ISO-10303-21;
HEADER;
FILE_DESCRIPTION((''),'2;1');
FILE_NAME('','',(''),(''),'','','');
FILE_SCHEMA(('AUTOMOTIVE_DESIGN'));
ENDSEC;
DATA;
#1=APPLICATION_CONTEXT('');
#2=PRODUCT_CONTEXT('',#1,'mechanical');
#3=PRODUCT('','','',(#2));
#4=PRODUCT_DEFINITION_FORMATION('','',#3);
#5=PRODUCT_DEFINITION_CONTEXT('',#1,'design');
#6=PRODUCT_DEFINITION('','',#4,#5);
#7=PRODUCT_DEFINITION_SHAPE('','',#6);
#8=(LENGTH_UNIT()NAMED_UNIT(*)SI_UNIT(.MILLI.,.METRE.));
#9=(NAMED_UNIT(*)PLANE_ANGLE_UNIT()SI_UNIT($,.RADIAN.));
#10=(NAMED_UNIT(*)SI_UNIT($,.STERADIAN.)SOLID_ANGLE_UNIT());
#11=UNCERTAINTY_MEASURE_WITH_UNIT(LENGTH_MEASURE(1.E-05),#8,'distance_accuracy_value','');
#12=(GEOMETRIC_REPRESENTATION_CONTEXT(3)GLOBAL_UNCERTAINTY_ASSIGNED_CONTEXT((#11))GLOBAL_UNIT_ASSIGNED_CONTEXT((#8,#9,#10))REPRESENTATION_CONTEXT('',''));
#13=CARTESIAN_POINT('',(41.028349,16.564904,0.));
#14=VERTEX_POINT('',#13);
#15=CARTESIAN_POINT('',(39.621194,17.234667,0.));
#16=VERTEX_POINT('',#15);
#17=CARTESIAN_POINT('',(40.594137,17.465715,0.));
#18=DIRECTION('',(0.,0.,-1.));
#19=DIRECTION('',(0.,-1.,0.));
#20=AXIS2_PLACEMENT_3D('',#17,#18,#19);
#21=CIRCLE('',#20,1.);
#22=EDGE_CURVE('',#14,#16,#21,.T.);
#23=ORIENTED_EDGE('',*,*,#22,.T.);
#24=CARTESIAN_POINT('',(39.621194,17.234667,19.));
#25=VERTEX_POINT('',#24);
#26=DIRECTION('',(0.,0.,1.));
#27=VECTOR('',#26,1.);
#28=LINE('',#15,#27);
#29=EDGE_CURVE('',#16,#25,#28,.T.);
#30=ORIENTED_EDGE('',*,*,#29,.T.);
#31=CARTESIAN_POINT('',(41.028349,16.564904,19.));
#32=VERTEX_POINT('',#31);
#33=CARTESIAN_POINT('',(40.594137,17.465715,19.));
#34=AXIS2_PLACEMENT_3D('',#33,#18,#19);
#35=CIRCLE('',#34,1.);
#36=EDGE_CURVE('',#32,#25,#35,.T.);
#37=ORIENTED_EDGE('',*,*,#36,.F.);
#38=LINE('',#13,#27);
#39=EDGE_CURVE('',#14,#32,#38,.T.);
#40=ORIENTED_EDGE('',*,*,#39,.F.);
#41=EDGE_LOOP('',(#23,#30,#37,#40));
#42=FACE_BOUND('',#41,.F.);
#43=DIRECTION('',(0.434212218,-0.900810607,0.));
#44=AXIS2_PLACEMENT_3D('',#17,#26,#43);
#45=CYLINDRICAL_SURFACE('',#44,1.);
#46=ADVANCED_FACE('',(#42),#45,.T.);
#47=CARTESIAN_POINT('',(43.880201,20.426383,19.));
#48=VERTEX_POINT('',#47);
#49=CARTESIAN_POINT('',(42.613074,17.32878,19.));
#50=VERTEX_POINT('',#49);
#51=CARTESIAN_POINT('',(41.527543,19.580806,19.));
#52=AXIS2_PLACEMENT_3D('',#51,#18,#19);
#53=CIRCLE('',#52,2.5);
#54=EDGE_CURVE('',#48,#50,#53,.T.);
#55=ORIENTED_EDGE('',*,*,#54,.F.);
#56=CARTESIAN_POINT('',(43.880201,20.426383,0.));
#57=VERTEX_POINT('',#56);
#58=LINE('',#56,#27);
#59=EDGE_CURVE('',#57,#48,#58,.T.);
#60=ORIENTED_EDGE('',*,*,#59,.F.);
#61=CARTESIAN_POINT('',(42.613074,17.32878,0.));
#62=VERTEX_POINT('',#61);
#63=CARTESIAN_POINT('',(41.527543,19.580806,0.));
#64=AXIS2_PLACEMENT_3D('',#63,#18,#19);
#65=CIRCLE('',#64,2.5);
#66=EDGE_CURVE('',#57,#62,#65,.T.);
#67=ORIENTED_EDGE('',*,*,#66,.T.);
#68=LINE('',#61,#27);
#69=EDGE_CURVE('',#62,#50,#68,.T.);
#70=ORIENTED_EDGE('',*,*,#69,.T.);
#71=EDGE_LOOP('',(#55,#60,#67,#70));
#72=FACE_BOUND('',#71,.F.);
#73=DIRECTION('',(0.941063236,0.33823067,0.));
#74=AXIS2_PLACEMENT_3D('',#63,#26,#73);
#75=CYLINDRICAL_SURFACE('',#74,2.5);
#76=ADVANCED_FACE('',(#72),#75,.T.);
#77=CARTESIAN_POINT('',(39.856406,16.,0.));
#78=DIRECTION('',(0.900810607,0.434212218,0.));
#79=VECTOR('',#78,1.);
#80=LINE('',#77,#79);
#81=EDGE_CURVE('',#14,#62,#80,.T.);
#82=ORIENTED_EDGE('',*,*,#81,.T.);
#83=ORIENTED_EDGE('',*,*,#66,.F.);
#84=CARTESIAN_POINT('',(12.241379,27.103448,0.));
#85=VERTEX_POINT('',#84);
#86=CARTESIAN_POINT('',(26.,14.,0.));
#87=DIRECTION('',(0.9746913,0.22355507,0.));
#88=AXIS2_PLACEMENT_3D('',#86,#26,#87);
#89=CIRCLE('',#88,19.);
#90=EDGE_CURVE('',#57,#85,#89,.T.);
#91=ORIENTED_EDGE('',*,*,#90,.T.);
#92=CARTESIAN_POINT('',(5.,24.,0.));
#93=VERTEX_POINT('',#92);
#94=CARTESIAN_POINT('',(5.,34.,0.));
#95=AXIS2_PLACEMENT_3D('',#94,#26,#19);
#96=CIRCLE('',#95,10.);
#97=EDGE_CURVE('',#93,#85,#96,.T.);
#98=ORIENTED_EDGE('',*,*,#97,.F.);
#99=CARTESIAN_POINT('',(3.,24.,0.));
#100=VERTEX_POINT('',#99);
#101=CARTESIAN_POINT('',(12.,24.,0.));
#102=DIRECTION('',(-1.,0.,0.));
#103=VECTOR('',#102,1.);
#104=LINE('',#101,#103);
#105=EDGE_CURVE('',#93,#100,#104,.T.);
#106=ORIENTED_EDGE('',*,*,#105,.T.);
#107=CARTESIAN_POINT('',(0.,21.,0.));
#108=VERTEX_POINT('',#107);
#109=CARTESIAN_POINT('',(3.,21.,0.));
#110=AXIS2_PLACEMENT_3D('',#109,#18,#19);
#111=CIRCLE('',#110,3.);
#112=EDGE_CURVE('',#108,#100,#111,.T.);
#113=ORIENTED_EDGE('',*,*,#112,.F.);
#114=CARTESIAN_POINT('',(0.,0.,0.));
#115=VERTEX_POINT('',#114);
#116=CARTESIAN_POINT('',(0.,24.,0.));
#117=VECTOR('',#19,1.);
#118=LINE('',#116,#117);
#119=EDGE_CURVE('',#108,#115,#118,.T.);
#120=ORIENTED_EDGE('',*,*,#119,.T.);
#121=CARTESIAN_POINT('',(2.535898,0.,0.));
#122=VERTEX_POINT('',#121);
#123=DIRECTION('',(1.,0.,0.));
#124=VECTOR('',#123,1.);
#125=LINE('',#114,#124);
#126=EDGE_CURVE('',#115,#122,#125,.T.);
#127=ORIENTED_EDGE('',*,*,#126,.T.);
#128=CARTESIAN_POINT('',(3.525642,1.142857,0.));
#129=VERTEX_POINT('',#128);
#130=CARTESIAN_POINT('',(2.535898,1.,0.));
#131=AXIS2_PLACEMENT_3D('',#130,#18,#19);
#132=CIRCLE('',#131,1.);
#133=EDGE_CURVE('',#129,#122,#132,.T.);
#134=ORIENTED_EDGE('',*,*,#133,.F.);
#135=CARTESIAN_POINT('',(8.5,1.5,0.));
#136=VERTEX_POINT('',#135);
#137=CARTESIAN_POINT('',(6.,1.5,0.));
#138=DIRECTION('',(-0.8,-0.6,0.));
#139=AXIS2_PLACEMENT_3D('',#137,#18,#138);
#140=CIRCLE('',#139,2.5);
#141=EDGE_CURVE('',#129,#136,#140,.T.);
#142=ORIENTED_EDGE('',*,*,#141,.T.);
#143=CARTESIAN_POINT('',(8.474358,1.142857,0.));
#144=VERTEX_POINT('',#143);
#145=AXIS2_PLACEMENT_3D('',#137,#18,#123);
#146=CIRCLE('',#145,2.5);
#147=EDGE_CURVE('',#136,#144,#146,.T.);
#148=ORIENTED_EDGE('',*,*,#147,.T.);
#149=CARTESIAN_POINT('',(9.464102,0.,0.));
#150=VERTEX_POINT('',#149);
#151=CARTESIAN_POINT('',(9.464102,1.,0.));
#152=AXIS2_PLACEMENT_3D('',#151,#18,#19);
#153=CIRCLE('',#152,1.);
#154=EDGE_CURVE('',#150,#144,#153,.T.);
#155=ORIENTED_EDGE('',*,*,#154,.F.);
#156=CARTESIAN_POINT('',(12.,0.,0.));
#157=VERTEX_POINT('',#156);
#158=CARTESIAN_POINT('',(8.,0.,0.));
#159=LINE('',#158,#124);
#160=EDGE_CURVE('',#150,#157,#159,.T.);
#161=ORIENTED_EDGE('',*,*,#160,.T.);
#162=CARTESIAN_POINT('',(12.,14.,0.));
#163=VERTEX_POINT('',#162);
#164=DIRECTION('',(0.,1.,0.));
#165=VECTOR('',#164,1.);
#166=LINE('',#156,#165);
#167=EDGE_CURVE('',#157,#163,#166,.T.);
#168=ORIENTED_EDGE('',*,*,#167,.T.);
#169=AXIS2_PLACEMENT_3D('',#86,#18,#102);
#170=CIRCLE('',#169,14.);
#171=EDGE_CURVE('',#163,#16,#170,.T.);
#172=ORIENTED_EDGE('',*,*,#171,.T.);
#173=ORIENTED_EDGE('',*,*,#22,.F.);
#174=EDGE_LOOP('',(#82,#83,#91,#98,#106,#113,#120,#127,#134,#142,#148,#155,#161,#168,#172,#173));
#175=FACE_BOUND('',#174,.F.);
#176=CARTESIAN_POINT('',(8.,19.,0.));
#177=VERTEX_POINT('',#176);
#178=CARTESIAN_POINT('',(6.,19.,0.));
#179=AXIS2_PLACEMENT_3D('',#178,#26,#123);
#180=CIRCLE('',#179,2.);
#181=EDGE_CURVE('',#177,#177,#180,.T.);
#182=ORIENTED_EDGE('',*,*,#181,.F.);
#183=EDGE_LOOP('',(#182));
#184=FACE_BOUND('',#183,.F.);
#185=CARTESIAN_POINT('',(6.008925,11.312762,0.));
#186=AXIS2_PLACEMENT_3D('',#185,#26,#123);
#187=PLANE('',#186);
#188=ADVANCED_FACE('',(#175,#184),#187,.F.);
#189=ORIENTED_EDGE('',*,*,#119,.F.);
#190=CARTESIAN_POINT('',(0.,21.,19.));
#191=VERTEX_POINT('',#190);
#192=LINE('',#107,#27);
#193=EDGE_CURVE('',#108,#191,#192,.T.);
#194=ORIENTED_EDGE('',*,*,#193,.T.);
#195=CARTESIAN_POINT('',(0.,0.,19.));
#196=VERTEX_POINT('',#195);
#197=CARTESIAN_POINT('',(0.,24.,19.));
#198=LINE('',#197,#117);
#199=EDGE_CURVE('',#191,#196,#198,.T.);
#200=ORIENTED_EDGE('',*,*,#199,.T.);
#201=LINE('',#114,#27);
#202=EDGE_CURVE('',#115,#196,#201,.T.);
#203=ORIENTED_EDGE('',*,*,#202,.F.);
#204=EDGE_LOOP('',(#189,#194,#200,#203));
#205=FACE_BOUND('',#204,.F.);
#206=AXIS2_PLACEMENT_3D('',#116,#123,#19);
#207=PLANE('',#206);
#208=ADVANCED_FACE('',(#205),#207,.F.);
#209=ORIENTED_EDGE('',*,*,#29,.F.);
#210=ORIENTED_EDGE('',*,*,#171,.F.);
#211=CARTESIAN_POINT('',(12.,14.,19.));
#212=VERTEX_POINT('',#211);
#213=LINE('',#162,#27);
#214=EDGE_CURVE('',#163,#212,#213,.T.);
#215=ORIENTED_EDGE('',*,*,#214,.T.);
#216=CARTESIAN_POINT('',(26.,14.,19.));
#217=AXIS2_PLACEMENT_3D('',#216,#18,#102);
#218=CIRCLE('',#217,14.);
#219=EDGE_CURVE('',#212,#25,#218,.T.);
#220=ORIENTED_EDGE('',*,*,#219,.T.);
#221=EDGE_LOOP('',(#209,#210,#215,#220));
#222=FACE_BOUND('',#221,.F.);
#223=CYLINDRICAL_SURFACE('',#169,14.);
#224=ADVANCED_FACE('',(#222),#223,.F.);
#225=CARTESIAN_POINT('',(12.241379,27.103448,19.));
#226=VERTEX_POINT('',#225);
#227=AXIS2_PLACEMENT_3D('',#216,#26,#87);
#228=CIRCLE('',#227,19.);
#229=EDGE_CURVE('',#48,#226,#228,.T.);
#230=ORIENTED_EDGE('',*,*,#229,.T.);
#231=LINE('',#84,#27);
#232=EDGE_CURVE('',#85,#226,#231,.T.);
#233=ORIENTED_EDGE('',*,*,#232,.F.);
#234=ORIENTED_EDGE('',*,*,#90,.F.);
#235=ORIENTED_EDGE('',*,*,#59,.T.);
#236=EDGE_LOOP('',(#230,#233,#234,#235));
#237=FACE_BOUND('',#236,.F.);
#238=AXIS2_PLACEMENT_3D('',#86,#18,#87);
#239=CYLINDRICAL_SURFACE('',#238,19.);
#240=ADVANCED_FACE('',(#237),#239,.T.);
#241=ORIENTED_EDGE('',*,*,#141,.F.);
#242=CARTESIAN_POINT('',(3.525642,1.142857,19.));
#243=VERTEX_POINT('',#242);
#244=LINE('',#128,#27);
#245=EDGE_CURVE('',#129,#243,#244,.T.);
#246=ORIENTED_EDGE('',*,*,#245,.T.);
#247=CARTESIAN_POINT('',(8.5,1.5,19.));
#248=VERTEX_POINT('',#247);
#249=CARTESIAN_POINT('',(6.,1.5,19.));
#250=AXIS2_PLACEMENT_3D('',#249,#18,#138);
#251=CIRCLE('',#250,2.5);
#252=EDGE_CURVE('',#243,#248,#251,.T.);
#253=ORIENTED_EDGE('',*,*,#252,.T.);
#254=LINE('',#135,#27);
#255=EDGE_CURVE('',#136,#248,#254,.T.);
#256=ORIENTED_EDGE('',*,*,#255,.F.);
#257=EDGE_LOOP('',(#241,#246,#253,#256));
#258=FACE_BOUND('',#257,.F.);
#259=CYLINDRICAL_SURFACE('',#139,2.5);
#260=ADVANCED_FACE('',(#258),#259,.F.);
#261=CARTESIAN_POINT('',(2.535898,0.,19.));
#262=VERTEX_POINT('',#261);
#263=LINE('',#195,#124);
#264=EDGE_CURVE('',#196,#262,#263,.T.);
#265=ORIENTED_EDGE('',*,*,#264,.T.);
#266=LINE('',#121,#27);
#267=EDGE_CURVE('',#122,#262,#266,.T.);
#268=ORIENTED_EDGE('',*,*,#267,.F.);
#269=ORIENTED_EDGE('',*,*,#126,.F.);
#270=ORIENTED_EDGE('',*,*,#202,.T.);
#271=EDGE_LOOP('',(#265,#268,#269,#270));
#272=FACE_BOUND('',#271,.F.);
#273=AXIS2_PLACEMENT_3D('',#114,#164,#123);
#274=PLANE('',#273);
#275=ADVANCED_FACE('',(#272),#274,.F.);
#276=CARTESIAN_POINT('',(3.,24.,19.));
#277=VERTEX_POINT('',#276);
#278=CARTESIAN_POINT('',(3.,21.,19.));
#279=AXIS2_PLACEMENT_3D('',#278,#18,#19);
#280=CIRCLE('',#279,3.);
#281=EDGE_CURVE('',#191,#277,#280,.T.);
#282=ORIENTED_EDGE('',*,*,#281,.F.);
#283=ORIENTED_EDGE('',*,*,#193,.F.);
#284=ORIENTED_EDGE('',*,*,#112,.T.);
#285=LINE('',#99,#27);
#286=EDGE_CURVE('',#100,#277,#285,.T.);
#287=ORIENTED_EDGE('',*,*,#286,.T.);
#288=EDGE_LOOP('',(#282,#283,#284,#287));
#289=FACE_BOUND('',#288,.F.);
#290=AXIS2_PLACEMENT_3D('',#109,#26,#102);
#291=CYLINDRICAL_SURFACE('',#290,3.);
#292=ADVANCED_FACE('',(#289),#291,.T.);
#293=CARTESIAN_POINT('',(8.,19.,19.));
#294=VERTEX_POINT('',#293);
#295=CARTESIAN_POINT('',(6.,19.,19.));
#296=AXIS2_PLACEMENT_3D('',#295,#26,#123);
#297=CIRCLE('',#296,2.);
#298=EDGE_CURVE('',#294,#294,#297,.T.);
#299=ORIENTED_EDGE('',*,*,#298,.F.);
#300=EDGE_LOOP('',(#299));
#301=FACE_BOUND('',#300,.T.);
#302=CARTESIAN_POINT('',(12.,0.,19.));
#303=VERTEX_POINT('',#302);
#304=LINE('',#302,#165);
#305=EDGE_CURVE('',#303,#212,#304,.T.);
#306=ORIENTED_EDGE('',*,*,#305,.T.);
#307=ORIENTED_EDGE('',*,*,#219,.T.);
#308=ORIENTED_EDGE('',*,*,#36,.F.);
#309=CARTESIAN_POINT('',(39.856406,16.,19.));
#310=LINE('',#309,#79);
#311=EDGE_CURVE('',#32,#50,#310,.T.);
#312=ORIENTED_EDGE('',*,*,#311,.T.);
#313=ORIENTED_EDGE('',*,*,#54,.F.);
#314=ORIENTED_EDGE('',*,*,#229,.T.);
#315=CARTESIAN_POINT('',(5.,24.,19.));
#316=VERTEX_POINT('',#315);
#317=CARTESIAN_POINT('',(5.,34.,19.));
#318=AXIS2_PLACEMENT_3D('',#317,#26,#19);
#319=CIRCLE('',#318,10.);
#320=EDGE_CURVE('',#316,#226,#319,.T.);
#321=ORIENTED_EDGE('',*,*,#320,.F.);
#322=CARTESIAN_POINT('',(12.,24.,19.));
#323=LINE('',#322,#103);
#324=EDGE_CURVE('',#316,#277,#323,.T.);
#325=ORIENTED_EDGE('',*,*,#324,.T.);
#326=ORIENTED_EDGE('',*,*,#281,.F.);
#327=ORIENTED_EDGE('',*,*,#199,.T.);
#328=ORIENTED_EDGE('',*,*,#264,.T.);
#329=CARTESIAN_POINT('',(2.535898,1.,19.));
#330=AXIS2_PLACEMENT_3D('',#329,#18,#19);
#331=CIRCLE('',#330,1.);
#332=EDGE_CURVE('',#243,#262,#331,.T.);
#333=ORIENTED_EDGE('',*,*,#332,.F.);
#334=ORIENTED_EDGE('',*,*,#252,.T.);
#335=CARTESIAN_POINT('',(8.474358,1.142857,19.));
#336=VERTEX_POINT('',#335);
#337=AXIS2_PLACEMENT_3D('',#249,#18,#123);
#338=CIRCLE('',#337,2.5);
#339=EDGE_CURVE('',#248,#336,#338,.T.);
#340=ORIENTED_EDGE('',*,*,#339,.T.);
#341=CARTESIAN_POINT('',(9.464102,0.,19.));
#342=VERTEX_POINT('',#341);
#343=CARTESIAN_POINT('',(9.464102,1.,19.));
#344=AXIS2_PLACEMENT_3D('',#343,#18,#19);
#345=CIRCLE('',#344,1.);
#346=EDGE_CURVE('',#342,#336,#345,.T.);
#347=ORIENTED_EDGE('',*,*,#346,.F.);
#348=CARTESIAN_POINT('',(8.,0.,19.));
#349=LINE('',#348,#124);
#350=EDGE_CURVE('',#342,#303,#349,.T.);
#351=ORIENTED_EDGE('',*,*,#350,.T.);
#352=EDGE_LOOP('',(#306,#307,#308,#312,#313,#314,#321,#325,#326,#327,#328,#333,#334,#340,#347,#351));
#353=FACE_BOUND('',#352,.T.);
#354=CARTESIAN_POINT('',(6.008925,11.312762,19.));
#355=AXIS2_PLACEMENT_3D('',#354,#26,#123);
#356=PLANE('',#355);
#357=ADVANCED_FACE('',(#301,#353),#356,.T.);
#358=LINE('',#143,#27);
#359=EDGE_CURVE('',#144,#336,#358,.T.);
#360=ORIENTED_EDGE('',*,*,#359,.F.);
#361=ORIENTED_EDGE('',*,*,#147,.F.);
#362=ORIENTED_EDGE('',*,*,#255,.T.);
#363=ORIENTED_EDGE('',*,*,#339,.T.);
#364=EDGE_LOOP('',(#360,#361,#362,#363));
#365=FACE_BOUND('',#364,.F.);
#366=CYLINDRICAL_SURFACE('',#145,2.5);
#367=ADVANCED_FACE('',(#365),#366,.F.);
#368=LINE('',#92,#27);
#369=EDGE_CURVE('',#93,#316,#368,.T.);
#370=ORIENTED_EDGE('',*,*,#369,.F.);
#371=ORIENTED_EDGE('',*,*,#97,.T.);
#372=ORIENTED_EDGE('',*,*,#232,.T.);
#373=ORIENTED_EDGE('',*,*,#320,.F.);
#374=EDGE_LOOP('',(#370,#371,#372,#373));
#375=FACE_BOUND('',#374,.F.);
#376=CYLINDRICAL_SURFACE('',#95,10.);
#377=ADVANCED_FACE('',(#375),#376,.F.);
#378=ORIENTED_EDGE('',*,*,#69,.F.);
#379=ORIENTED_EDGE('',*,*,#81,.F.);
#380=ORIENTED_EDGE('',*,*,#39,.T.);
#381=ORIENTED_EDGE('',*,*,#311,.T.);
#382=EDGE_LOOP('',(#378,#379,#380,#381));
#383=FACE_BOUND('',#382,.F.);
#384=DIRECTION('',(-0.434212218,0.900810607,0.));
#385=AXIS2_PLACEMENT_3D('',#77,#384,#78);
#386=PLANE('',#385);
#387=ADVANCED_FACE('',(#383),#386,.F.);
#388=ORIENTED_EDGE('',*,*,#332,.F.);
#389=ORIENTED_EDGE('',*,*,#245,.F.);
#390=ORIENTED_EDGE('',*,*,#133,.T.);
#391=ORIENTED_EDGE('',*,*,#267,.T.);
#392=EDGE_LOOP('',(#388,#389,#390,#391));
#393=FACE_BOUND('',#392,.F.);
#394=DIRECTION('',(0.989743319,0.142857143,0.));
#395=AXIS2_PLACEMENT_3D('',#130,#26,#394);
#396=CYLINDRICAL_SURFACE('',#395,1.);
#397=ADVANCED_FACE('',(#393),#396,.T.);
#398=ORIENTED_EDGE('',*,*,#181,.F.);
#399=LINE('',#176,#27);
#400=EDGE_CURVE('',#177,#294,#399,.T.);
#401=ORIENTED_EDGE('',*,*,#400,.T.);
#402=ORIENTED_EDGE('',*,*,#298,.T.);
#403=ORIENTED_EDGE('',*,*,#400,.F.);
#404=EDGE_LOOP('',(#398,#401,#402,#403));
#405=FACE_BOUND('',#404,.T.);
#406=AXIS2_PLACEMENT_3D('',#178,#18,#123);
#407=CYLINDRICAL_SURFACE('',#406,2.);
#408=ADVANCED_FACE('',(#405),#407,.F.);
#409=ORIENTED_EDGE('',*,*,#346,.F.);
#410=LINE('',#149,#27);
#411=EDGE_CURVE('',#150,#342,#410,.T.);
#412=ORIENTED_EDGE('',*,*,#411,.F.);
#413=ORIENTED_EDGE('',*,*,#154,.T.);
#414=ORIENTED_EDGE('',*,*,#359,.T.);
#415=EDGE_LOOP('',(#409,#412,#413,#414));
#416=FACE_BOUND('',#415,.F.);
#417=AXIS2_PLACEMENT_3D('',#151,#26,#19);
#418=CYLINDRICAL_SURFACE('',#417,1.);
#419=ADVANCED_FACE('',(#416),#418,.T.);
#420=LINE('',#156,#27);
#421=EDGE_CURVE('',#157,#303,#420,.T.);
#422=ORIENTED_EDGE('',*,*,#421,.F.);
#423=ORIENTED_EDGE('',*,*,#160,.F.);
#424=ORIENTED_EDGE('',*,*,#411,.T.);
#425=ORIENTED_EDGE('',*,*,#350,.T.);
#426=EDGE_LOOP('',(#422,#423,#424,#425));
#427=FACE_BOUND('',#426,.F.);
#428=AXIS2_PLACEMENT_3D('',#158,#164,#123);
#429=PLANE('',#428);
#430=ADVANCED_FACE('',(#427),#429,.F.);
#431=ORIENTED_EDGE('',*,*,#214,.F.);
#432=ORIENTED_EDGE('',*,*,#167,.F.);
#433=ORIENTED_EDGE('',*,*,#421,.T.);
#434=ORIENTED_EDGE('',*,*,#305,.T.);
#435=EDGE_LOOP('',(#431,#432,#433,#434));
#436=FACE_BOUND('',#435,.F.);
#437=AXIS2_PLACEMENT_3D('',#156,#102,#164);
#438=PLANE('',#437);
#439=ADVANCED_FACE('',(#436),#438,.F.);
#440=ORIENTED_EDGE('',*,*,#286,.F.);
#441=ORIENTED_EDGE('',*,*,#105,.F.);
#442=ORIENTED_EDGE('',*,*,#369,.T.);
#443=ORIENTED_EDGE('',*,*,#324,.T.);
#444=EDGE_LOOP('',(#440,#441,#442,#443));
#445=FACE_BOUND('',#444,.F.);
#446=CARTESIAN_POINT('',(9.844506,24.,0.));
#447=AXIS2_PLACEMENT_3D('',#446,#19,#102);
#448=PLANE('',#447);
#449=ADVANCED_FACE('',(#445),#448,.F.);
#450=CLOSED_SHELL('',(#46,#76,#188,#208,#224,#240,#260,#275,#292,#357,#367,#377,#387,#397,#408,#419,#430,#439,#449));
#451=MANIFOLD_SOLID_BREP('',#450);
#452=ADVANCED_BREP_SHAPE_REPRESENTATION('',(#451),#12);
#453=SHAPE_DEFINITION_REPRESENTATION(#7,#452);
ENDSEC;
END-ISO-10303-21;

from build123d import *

# Parameters (mm, degrees)
F0_R     = 2
F1_DEPTH = 19
F2_R     = 3
F3_R     = 10
F4_R     = 2.5
F5_R     = 1
F6_R     = 1


with BuildPart() as f1:
    # F0 (on Top) → F1 (new body)
    with BuildSketch(Plane.XY):
        with BuildLine():
            Line((0, 24), (0, 0))
            Line((0, 0), (4, 0))
            ThreePointArc((4, 0), (5.209430585, 3.8717082451), (8.5, 1.5))
            ThreePointArc((8.5, 1.5), (8.3717082451, 0.709430585), (8, 0))
            Line((8, 0), (12, 0))
            Line((12, 0), (12, 14))
            Line((12, 14), (12, 24))
            Line((12, 24), (9.8445055786, 24))
            Line((9.8445055786, 24), (0, 24))
        make_face()
        with Locations((6, 19)):
            Circle(F0_R, mode=Mode.SUBTRACT)
        with BuildLine():
            ThreePointArc((44.5191347039, 18.2475463293), (29.1095626147, 32.7438155226), (9.8445055786, 24))
            Line((9.8445055786, 24), (12, 24))
            Line((12, 24), (12, 14))
            ThreePointArc((12, 14), (24.9974259249, 27.964055472), (39.8564064606, 16))
            Line((39.8564064606, 16), (44.5191347039, 18.2475463293))
        make_face()
    extrude(amount=F1_DEPTH)

    # F2
    f2_edges = [f1.edges().sort_by_distance(p)[0] for p in [
        (0, 24, 9.5),
    ]]
    fillet(f2_edges, radius=F2_R)

    # F3
    f3_edges = [f1.edges().sort_by_distance(p)[0] for p in [
        (9.844506, 24, 9.5),
    ]]
    fillet(f3_edges, radius=F3_R)

    # F4
    f4_edges = [f1.edges().sort_by_distance(p)[0] for p in [
        (44.519135, 18.247546, 9.5),
    ]]
    fillet(f4_edges, radius=F4_R)

    # F5
    f5_edges = [f1.edges().sort_by_distance(p)[0] for p in [
        (39.856406, 16, 9.5),
    ]]
    fillet(f5_edges, radius=F5_R)

    # F6
    f6_edges = [f1.edges().sort_by_distance(p)[0] for p in [
        (4, 0, 9.5),
        (8, 0, 9.5),
    ]]
    fillet(f6_edges, radius=F6_R)


solid = f1.part
